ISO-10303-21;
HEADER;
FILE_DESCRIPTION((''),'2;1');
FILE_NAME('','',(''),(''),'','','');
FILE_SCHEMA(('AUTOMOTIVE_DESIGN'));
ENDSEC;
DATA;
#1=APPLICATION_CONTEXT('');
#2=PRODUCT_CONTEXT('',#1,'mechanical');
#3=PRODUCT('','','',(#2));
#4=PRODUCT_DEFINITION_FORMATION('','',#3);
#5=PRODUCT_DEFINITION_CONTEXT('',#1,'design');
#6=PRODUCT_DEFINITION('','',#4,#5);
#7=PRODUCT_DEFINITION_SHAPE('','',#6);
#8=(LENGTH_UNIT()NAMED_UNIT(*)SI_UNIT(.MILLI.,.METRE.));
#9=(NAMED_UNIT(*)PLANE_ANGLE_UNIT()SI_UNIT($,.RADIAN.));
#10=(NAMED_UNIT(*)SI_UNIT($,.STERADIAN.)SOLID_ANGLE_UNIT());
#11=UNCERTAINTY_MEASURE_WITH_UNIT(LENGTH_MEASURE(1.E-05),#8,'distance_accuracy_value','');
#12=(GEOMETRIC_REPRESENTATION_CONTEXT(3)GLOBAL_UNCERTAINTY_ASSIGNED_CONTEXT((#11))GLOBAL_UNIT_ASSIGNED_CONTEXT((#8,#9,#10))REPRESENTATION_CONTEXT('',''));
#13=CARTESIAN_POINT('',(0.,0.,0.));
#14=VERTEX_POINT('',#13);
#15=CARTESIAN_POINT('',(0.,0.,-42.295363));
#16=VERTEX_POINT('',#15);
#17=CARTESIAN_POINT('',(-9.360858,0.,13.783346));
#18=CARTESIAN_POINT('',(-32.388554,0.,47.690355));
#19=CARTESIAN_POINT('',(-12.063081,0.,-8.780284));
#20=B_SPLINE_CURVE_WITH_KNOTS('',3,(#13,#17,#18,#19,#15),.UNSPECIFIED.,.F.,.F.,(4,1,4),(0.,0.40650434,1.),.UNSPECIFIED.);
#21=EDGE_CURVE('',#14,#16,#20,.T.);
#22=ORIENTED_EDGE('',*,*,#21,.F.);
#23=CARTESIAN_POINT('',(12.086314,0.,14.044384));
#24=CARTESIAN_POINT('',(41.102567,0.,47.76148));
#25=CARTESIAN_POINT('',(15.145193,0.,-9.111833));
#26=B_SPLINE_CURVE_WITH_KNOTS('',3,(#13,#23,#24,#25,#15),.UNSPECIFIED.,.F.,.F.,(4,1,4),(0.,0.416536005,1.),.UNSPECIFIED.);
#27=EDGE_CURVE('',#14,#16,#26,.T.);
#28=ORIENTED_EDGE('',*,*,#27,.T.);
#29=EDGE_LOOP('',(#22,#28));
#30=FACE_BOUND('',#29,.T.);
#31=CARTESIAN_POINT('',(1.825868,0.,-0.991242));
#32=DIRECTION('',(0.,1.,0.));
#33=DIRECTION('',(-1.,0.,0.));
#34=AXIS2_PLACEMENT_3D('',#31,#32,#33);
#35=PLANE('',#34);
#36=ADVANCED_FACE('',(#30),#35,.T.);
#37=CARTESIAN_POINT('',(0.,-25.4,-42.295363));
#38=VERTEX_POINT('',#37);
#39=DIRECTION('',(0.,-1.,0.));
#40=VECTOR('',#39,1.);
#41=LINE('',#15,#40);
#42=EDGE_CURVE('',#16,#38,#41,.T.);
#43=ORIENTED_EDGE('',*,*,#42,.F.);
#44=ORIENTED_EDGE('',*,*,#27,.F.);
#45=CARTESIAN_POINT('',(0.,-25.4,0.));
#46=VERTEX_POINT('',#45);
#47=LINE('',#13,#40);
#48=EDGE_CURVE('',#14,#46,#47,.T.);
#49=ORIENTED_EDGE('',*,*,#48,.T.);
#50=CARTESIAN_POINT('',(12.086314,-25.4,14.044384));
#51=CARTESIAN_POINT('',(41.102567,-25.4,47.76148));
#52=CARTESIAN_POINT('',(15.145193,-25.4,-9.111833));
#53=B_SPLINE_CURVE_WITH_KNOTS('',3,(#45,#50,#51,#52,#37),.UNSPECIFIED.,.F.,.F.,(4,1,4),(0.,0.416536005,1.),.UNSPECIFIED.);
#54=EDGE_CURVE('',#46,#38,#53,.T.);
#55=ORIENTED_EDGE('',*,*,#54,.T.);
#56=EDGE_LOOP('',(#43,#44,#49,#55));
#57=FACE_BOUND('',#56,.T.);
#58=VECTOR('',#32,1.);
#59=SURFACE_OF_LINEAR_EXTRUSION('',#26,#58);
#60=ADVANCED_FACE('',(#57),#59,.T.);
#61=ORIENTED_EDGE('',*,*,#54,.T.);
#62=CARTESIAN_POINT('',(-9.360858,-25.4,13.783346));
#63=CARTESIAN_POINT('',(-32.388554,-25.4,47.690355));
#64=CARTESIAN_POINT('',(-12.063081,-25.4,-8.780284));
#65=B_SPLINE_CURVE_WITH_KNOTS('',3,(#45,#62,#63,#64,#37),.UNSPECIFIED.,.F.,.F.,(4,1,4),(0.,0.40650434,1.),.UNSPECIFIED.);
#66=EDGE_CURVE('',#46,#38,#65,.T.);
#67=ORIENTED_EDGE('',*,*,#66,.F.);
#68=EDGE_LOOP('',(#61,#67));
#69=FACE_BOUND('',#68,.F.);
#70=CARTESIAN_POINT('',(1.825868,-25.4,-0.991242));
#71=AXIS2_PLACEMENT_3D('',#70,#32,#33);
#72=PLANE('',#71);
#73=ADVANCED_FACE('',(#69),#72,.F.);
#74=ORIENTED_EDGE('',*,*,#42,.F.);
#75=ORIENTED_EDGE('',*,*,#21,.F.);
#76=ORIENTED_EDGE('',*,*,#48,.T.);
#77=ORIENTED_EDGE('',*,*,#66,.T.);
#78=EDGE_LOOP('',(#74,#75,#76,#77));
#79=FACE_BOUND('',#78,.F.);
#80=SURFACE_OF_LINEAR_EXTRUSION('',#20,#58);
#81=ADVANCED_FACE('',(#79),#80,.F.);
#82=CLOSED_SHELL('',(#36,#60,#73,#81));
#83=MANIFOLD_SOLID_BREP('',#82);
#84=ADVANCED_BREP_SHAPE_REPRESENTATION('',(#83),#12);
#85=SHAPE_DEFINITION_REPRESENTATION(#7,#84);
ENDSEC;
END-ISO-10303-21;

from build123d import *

# Parameters (mm, degrees)
F1_DEPTH = 25.4


with BuildPart() as f1:
    # F0 (on Front) → F1 (new body)
    with BuildSketch(Plane.XZ):
        with BuildLine():
            add(Edge.make_bspline(
                [(0, 0), (12.0863140201, 14.0443843027), (41.1025667835, 47.7614798668), (15.1451929968, -9.1118326802), (0, -42.2953628004)],
                knots=[0, 0, 0, 0, 0.4165360055, 1, 1, 1, 1], degree=3))
            add(Edge.make_bspline(
                [(0, 0), (-9.3608583836, 13.7833461807), (-32.3885544074, 47.690354815), (-12.0630805269, -8.7802838558), (0, -42.2953628004)],
                knots=[0, 0, 0, 0, 0.4065043404, 1, 1, 1, 1], degree=3))
        make_face()
    extrude(amount=F1_DEPTH)


solid = f1.part
